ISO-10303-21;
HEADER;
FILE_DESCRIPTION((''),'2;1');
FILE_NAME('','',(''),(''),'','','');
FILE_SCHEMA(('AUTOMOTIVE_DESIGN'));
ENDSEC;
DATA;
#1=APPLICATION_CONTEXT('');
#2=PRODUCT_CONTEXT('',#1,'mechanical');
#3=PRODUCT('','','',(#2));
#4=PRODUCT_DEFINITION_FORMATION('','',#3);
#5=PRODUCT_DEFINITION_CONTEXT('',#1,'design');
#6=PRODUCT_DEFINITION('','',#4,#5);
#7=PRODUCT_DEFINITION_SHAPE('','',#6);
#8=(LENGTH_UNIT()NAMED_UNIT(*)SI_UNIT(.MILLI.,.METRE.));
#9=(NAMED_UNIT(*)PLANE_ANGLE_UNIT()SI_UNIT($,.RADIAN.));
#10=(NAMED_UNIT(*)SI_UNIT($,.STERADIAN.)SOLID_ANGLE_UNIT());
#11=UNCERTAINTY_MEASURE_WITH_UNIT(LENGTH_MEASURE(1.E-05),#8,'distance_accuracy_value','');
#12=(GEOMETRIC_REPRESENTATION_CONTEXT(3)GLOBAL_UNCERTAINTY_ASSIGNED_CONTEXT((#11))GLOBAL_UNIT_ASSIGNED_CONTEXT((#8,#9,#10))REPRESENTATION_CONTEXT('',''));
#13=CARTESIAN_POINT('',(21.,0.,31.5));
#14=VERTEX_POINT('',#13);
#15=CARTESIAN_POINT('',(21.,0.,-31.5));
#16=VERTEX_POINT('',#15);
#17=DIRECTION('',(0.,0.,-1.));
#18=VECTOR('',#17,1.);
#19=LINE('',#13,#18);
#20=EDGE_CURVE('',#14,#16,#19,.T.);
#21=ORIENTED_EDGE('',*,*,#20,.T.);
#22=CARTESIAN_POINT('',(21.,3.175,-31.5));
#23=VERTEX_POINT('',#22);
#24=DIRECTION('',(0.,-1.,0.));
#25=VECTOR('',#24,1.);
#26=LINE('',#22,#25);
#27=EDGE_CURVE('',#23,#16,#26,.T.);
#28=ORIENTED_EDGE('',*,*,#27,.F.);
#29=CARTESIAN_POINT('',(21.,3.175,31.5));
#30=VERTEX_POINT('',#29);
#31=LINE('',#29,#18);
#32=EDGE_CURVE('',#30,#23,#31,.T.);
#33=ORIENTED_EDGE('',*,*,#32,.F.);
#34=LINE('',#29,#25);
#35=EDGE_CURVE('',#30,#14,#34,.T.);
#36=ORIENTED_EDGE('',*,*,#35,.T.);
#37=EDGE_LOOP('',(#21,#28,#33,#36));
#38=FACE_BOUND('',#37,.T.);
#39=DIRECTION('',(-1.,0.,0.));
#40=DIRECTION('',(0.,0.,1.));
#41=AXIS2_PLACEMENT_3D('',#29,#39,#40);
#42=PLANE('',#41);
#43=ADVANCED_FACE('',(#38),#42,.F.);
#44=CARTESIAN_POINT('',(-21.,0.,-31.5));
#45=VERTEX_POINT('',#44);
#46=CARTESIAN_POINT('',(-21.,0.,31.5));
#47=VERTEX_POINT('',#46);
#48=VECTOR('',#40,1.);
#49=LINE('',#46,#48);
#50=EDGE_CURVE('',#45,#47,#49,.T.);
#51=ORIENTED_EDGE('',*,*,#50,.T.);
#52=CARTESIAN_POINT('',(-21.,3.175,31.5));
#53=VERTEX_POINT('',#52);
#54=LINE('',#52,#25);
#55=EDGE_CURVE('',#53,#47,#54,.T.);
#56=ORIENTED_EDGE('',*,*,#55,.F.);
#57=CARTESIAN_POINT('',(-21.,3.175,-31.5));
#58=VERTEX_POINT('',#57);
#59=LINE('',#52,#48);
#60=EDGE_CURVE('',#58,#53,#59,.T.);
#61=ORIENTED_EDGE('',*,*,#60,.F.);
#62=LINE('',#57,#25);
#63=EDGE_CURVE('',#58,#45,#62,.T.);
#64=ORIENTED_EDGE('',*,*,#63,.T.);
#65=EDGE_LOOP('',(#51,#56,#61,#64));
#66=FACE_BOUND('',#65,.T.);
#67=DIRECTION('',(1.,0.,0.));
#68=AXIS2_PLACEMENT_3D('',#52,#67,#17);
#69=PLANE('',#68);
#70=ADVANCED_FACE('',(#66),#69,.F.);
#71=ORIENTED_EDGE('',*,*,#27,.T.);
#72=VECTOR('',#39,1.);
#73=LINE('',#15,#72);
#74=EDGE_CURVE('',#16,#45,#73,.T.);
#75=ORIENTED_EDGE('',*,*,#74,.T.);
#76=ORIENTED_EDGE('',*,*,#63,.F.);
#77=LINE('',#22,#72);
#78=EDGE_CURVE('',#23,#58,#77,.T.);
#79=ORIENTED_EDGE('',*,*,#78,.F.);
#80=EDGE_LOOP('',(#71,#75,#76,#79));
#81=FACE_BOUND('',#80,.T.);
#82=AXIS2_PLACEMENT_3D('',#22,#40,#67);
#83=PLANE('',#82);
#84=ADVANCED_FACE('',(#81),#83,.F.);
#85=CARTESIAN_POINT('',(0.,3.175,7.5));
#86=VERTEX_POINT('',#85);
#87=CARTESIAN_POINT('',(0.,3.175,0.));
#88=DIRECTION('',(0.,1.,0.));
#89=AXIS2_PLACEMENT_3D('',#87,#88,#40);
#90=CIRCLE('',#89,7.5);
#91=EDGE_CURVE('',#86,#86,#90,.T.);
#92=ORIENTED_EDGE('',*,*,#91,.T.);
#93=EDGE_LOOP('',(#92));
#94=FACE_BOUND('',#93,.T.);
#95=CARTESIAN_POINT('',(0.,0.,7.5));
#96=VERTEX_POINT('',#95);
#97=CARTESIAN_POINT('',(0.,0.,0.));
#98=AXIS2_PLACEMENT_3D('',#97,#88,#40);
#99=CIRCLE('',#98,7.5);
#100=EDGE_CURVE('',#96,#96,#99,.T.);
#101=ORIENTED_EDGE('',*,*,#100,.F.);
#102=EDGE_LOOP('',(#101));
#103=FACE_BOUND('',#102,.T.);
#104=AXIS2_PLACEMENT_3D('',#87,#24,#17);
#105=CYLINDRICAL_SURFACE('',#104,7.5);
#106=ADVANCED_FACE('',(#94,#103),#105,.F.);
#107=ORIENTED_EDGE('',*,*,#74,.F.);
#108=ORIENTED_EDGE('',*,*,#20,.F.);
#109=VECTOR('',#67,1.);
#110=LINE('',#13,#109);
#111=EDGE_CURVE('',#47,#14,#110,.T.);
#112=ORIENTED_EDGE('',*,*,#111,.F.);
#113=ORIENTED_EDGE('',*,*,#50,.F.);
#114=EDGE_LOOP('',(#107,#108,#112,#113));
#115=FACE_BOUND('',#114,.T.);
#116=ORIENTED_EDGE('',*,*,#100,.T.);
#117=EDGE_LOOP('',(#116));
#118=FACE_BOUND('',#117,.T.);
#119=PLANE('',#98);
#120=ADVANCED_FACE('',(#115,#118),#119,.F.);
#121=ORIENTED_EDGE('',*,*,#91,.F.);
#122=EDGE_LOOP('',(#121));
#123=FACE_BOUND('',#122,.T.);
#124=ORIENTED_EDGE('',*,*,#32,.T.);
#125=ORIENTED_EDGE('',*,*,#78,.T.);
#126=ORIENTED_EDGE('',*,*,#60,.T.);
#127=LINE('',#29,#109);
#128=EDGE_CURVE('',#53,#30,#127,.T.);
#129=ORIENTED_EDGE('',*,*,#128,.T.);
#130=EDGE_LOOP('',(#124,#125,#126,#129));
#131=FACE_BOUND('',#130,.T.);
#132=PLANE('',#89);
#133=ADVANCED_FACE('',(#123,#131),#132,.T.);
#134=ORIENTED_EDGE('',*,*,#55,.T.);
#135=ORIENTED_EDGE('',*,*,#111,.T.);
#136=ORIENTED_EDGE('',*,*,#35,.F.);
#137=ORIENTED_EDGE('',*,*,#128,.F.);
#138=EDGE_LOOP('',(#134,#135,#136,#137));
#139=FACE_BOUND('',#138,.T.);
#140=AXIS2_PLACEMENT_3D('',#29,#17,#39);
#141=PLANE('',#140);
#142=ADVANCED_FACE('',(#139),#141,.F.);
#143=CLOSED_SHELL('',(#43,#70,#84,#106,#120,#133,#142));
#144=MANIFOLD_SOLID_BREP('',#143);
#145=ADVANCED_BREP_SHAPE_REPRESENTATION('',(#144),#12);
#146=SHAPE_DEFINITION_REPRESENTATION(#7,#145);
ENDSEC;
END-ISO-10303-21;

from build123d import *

# Parameters (mm, degrees)
SKETCH1_W           = 42
SKETCH1_H           = 63
SKETCH1_R           = 7.5
BOSS_EXTRUDE1_DEPTH = 3.175


with BuildPart() as part:
    # Sketch1 → Boss-Extrude1 (new body)
    with BuildSketch(Plane(origin=(0, 0, 0), x_dir=(1, 0, 0), z_dir=(0, 1, 0))):
        Rectangle(SKETCH1_W, SKETCH1_H)
        Circle(SKETCH1_R, mode=Mode.SUBTRACT)
    extrude(amount=BOSS_EXTRUDE1_DEPTH)


solid = part.part
